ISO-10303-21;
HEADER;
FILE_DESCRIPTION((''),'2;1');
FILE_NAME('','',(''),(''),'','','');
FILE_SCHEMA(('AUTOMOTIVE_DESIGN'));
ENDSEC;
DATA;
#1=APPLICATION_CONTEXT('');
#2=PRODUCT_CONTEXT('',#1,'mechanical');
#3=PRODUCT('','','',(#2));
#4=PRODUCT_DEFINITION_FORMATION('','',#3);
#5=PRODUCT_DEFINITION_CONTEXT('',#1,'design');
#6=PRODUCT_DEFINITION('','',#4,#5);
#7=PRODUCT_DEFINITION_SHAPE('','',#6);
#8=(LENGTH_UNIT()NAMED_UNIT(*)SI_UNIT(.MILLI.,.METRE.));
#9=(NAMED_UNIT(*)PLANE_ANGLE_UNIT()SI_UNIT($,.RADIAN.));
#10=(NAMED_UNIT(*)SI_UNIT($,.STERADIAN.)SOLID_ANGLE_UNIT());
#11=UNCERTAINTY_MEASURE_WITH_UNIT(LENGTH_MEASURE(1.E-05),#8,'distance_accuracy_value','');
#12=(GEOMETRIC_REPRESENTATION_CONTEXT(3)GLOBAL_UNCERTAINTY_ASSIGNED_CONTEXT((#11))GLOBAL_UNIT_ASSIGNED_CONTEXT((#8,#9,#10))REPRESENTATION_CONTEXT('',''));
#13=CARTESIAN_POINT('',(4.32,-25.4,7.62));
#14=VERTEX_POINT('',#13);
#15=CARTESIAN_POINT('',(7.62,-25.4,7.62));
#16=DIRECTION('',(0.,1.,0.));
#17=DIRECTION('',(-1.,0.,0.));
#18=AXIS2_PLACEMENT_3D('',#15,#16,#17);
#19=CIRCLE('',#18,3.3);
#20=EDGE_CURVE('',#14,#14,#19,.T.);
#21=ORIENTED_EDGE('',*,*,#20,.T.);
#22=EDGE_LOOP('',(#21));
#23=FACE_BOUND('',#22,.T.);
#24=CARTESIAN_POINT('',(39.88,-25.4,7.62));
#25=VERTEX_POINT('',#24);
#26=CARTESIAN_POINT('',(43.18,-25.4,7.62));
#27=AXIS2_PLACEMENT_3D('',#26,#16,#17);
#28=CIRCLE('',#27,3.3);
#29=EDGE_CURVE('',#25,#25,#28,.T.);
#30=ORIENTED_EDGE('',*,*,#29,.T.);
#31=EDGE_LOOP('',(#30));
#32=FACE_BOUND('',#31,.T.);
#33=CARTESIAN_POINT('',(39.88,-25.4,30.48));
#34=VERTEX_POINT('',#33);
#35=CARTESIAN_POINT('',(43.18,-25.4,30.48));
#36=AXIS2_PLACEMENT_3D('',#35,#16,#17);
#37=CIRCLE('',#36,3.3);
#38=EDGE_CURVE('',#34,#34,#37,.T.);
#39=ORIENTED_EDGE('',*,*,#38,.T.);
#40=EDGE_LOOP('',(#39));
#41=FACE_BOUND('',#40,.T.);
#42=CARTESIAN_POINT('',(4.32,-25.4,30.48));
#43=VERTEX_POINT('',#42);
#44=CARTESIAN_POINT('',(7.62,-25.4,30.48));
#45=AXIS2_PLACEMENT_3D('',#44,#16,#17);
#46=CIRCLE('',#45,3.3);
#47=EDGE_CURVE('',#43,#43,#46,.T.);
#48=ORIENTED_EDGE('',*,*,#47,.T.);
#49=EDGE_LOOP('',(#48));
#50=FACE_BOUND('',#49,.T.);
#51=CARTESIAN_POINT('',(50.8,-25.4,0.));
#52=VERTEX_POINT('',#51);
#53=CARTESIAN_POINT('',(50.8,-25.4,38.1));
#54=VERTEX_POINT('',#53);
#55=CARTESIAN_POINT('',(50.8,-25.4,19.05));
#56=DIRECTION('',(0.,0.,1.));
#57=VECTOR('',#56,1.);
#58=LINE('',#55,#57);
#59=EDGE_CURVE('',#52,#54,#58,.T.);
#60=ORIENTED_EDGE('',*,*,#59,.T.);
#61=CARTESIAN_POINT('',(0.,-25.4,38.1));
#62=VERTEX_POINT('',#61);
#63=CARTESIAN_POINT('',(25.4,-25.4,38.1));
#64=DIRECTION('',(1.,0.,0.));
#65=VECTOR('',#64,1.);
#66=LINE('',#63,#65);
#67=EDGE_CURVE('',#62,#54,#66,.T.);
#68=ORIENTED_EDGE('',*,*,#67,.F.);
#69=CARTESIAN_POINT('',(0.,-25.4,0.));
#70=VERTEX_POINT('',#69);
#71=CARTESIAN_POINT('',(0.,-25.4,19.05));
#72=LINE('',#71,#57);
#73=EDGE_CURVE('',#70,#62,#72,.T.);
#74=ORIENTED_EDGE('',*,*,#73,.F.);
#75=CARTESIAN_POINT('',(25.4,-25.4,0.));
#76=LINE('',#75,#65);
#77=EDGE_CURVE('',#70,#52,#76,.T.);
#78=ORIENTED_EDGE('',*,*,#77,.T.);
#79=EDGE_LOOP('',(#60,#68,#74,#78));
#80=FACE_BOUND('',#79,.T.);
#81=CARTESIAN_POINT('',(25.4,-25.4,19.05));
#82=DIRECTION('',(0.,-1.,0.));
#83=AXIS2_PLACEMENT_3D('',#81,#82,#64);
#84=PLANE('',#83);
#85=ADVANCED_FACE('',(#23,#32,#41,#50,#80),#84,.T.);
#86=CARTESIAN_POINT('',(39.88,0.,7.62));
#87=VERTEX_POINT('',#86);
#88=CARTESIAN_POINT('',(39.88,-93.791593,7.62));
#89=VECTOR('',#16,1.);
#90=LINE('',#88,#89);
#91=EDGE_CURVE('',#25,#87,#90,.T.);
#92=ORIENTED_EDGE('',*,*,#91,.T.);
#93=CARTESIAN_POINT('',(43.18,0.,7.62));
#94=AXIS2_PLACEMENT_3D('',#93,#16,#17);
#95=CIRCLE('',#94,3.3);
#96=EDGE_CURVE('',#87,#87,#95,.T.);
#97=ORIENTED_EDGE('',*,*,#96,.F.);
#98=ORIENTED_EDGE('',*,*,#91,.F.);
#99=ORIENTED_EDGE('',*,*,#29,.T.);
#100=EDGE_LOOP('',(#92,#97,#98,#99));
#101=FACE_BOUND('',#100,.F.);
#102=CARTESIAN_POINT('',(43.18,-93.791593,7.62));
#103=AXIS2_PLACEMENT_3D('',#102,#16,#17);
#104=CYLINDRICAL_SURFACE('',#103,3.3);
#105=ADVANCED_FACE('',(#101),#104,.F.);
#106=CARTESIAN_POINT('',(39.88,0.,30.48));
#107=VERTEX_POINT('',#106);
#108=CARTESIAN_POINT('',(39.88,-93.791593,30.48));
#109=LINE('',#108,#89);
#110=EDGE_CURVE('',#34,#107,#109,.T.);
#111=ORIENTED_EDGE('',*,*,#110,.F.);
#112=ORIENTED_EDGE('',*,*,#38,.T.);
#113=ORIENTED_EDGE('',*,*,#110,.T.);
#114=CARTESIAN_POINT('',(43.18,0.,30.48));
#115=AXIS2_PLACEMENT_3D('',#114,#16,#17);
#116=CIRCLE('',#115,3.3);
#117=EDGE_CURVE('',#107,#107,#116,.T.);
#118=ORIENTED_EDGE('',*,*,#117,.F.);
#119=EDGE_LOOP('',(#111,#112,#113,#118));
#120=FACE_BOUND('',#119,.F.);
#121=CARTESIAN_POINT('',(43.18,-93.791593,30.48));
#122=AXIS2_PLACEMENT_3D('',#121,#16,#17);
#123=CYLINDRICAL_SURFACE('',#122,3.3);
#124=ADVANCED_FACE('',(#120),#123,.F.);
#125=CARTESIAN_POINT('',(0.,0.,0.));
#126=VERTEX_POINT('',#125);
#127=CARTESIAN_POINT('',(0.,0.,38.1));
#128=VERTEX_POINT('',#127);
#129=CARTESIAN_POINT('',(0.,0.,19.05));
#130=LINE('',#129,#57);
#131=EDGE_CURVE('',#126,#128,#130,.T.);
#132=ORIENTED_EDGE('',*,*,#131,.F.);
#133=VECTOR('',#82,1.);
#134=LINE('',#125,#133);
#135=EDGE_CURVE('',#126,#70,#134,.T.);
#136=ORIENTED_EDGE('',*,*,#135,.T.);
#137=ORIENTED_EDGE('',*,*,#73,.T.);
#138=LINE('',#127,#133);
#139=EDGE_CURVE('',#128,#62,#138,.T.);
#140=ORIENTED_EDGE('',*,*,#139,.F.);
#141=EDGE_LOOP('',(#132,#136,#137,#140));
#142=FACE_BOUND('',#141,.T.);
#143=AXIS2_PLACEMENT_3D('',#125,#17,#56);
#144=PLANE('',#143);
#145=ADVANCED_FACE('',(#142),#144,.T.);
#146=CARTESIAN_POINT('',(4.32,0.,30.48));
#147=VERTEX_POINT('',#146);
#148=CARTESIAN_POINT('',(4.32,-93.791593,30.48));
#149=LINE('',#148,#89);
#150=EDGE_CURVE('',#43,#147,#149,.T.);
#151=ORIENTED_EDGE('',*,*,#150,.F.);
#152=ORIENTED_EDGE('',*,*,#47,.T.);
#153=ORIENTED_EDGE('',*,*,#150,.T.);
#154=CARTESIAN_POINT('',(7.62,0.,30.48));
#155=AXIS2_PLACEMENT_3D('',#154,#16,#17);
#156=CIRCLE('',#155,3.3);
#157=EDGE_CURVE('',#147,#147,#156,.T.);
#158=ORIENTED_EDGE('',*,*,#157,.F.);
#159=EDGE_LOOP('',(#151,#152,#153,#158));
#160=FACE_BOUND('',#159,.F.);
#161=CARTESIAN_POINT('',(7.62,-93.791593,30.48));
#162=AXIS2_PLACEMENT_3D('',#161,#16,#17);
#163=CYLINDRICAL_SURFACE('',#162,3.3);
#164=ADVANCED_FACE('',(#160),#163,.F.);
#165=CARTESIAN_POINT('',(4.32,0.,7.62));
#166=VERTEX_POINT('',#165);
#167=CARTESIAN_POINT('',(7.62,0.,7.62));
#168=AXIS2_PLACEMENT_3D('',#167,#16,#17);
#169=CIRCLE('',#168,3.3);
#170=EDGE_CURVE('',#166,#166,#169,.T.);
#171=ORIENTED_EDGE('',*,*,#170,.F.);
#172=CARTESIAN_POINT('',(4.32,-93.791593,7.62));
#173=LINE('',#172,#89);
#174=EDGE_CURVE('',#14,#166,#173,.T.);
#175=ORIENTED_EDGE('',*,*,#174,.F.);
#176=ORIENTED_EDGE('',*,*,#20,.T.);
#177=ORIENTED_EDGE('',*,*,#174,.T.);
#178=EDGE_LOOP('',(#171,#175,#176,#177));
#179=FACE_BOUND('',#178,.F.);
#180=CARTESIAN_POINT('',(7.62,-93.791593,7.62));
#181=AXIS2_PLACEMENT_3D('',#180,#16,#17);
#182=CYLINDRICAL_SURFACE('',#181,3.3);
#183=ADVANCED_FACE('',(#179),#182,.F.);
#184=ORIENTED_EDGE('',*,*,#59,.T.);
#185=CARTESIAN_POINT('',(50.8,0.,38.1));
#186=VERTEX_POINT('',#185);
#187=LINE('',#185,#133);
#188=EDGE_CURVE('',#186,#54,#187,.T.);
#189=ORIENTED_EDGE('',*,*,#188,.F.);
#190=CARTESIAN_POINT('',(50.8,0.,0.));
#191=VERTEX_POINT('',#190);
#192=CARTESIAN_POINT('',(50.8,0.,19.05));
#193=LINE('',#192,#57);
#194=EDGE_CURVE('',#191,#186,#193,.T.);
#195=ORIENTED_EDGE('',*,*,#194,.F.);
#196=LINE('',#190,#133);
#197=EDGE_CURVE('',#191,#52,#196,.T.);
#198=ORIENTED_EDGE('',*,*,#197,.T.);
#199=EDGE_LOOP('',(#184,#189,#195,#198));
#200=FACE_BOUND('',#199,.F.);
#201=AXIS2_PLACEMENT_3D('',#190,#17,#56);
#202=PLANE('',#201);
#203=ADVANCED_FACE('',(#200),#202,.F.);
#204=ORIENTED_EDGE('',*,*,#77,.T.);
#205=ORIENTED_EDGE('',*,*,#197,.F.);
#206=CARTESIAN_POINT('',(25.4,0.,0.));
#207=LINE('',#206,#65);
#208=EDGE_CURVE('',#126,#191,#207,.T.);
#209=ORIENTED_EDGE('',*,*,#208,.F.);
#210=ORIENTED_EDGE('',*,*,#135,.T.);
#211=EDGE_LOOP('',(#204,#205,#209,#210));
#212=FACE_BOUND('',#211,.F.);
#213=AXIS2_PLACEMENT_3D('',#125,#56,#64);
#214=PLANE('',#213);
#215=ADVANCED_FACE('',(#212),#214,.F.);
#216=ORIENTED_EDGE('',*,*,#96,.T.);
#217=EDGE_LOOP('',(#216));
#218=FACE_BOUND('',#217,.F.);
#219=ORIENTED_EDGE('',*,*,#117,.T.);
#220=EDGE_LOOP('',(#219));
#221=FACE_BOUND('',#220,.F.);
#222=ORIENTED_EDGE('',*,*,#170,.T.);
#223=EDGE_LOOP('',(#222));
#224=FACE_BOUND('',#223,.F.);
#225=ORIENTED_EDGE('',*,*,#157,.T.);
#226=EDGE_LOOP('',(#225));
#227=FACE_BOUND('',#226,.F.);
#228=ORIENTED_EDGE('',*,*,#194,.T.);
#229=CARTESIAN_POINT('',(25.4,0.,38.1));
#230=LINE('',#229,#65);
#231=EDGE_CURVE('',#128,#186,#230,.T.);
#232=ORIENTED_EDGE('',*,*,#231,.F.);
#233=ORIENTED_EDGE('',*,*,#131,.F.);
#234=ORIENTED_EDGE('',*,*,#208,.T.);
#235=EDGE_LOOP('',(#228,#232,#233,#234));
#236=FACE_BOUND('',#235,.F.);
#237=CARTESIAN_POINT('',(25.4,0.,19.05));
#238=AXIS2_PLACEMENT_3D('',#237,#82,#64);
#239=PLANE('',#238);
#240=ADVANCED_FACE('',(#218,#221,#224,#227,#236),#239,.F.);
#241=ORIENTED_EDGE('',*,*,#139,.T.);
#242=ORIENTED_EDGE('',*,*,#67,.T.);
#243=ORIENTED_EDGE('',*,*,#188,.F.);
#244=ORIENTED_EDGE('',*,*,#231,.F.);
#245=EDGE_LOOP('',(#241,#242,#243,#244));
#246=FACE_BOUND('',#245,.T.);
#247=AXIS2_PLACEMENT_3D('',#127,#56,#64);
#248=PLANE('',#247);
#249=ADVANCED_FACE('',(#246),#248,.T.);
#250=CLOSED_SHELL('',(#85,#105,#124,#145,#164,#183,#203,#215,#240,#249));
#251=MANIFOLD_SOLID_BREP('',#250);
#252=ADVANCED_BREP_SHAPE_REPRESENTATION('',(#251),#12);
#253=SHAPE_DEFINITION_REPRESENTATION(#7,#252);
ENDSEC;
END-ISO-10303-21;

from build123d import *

# Parameters (mm, degrees)
F0_W     = 50.8
F0_H     = 38.1
F1_DEPTH = 25.4
F3_D     = 6.6


with BuildPart() as f1:
    # F0 (on Front) → F1 (new body)
    with BuildSketch(Plane.XZ):
        with Locations((25.4, 19.05)):
            Rectangle(F0_W, F0_H)
    extrude(amount=F1_DEPTH)

    # F3 (through all)
    with Locations(Plane.XZ.offset(25.4)):
        with Locations((7.62, 30.48), (43.18, 30.48), (7.62, 7.62), (43.18, 7.62)):
            Hole(F3_D / 2)


solid = f1.part
